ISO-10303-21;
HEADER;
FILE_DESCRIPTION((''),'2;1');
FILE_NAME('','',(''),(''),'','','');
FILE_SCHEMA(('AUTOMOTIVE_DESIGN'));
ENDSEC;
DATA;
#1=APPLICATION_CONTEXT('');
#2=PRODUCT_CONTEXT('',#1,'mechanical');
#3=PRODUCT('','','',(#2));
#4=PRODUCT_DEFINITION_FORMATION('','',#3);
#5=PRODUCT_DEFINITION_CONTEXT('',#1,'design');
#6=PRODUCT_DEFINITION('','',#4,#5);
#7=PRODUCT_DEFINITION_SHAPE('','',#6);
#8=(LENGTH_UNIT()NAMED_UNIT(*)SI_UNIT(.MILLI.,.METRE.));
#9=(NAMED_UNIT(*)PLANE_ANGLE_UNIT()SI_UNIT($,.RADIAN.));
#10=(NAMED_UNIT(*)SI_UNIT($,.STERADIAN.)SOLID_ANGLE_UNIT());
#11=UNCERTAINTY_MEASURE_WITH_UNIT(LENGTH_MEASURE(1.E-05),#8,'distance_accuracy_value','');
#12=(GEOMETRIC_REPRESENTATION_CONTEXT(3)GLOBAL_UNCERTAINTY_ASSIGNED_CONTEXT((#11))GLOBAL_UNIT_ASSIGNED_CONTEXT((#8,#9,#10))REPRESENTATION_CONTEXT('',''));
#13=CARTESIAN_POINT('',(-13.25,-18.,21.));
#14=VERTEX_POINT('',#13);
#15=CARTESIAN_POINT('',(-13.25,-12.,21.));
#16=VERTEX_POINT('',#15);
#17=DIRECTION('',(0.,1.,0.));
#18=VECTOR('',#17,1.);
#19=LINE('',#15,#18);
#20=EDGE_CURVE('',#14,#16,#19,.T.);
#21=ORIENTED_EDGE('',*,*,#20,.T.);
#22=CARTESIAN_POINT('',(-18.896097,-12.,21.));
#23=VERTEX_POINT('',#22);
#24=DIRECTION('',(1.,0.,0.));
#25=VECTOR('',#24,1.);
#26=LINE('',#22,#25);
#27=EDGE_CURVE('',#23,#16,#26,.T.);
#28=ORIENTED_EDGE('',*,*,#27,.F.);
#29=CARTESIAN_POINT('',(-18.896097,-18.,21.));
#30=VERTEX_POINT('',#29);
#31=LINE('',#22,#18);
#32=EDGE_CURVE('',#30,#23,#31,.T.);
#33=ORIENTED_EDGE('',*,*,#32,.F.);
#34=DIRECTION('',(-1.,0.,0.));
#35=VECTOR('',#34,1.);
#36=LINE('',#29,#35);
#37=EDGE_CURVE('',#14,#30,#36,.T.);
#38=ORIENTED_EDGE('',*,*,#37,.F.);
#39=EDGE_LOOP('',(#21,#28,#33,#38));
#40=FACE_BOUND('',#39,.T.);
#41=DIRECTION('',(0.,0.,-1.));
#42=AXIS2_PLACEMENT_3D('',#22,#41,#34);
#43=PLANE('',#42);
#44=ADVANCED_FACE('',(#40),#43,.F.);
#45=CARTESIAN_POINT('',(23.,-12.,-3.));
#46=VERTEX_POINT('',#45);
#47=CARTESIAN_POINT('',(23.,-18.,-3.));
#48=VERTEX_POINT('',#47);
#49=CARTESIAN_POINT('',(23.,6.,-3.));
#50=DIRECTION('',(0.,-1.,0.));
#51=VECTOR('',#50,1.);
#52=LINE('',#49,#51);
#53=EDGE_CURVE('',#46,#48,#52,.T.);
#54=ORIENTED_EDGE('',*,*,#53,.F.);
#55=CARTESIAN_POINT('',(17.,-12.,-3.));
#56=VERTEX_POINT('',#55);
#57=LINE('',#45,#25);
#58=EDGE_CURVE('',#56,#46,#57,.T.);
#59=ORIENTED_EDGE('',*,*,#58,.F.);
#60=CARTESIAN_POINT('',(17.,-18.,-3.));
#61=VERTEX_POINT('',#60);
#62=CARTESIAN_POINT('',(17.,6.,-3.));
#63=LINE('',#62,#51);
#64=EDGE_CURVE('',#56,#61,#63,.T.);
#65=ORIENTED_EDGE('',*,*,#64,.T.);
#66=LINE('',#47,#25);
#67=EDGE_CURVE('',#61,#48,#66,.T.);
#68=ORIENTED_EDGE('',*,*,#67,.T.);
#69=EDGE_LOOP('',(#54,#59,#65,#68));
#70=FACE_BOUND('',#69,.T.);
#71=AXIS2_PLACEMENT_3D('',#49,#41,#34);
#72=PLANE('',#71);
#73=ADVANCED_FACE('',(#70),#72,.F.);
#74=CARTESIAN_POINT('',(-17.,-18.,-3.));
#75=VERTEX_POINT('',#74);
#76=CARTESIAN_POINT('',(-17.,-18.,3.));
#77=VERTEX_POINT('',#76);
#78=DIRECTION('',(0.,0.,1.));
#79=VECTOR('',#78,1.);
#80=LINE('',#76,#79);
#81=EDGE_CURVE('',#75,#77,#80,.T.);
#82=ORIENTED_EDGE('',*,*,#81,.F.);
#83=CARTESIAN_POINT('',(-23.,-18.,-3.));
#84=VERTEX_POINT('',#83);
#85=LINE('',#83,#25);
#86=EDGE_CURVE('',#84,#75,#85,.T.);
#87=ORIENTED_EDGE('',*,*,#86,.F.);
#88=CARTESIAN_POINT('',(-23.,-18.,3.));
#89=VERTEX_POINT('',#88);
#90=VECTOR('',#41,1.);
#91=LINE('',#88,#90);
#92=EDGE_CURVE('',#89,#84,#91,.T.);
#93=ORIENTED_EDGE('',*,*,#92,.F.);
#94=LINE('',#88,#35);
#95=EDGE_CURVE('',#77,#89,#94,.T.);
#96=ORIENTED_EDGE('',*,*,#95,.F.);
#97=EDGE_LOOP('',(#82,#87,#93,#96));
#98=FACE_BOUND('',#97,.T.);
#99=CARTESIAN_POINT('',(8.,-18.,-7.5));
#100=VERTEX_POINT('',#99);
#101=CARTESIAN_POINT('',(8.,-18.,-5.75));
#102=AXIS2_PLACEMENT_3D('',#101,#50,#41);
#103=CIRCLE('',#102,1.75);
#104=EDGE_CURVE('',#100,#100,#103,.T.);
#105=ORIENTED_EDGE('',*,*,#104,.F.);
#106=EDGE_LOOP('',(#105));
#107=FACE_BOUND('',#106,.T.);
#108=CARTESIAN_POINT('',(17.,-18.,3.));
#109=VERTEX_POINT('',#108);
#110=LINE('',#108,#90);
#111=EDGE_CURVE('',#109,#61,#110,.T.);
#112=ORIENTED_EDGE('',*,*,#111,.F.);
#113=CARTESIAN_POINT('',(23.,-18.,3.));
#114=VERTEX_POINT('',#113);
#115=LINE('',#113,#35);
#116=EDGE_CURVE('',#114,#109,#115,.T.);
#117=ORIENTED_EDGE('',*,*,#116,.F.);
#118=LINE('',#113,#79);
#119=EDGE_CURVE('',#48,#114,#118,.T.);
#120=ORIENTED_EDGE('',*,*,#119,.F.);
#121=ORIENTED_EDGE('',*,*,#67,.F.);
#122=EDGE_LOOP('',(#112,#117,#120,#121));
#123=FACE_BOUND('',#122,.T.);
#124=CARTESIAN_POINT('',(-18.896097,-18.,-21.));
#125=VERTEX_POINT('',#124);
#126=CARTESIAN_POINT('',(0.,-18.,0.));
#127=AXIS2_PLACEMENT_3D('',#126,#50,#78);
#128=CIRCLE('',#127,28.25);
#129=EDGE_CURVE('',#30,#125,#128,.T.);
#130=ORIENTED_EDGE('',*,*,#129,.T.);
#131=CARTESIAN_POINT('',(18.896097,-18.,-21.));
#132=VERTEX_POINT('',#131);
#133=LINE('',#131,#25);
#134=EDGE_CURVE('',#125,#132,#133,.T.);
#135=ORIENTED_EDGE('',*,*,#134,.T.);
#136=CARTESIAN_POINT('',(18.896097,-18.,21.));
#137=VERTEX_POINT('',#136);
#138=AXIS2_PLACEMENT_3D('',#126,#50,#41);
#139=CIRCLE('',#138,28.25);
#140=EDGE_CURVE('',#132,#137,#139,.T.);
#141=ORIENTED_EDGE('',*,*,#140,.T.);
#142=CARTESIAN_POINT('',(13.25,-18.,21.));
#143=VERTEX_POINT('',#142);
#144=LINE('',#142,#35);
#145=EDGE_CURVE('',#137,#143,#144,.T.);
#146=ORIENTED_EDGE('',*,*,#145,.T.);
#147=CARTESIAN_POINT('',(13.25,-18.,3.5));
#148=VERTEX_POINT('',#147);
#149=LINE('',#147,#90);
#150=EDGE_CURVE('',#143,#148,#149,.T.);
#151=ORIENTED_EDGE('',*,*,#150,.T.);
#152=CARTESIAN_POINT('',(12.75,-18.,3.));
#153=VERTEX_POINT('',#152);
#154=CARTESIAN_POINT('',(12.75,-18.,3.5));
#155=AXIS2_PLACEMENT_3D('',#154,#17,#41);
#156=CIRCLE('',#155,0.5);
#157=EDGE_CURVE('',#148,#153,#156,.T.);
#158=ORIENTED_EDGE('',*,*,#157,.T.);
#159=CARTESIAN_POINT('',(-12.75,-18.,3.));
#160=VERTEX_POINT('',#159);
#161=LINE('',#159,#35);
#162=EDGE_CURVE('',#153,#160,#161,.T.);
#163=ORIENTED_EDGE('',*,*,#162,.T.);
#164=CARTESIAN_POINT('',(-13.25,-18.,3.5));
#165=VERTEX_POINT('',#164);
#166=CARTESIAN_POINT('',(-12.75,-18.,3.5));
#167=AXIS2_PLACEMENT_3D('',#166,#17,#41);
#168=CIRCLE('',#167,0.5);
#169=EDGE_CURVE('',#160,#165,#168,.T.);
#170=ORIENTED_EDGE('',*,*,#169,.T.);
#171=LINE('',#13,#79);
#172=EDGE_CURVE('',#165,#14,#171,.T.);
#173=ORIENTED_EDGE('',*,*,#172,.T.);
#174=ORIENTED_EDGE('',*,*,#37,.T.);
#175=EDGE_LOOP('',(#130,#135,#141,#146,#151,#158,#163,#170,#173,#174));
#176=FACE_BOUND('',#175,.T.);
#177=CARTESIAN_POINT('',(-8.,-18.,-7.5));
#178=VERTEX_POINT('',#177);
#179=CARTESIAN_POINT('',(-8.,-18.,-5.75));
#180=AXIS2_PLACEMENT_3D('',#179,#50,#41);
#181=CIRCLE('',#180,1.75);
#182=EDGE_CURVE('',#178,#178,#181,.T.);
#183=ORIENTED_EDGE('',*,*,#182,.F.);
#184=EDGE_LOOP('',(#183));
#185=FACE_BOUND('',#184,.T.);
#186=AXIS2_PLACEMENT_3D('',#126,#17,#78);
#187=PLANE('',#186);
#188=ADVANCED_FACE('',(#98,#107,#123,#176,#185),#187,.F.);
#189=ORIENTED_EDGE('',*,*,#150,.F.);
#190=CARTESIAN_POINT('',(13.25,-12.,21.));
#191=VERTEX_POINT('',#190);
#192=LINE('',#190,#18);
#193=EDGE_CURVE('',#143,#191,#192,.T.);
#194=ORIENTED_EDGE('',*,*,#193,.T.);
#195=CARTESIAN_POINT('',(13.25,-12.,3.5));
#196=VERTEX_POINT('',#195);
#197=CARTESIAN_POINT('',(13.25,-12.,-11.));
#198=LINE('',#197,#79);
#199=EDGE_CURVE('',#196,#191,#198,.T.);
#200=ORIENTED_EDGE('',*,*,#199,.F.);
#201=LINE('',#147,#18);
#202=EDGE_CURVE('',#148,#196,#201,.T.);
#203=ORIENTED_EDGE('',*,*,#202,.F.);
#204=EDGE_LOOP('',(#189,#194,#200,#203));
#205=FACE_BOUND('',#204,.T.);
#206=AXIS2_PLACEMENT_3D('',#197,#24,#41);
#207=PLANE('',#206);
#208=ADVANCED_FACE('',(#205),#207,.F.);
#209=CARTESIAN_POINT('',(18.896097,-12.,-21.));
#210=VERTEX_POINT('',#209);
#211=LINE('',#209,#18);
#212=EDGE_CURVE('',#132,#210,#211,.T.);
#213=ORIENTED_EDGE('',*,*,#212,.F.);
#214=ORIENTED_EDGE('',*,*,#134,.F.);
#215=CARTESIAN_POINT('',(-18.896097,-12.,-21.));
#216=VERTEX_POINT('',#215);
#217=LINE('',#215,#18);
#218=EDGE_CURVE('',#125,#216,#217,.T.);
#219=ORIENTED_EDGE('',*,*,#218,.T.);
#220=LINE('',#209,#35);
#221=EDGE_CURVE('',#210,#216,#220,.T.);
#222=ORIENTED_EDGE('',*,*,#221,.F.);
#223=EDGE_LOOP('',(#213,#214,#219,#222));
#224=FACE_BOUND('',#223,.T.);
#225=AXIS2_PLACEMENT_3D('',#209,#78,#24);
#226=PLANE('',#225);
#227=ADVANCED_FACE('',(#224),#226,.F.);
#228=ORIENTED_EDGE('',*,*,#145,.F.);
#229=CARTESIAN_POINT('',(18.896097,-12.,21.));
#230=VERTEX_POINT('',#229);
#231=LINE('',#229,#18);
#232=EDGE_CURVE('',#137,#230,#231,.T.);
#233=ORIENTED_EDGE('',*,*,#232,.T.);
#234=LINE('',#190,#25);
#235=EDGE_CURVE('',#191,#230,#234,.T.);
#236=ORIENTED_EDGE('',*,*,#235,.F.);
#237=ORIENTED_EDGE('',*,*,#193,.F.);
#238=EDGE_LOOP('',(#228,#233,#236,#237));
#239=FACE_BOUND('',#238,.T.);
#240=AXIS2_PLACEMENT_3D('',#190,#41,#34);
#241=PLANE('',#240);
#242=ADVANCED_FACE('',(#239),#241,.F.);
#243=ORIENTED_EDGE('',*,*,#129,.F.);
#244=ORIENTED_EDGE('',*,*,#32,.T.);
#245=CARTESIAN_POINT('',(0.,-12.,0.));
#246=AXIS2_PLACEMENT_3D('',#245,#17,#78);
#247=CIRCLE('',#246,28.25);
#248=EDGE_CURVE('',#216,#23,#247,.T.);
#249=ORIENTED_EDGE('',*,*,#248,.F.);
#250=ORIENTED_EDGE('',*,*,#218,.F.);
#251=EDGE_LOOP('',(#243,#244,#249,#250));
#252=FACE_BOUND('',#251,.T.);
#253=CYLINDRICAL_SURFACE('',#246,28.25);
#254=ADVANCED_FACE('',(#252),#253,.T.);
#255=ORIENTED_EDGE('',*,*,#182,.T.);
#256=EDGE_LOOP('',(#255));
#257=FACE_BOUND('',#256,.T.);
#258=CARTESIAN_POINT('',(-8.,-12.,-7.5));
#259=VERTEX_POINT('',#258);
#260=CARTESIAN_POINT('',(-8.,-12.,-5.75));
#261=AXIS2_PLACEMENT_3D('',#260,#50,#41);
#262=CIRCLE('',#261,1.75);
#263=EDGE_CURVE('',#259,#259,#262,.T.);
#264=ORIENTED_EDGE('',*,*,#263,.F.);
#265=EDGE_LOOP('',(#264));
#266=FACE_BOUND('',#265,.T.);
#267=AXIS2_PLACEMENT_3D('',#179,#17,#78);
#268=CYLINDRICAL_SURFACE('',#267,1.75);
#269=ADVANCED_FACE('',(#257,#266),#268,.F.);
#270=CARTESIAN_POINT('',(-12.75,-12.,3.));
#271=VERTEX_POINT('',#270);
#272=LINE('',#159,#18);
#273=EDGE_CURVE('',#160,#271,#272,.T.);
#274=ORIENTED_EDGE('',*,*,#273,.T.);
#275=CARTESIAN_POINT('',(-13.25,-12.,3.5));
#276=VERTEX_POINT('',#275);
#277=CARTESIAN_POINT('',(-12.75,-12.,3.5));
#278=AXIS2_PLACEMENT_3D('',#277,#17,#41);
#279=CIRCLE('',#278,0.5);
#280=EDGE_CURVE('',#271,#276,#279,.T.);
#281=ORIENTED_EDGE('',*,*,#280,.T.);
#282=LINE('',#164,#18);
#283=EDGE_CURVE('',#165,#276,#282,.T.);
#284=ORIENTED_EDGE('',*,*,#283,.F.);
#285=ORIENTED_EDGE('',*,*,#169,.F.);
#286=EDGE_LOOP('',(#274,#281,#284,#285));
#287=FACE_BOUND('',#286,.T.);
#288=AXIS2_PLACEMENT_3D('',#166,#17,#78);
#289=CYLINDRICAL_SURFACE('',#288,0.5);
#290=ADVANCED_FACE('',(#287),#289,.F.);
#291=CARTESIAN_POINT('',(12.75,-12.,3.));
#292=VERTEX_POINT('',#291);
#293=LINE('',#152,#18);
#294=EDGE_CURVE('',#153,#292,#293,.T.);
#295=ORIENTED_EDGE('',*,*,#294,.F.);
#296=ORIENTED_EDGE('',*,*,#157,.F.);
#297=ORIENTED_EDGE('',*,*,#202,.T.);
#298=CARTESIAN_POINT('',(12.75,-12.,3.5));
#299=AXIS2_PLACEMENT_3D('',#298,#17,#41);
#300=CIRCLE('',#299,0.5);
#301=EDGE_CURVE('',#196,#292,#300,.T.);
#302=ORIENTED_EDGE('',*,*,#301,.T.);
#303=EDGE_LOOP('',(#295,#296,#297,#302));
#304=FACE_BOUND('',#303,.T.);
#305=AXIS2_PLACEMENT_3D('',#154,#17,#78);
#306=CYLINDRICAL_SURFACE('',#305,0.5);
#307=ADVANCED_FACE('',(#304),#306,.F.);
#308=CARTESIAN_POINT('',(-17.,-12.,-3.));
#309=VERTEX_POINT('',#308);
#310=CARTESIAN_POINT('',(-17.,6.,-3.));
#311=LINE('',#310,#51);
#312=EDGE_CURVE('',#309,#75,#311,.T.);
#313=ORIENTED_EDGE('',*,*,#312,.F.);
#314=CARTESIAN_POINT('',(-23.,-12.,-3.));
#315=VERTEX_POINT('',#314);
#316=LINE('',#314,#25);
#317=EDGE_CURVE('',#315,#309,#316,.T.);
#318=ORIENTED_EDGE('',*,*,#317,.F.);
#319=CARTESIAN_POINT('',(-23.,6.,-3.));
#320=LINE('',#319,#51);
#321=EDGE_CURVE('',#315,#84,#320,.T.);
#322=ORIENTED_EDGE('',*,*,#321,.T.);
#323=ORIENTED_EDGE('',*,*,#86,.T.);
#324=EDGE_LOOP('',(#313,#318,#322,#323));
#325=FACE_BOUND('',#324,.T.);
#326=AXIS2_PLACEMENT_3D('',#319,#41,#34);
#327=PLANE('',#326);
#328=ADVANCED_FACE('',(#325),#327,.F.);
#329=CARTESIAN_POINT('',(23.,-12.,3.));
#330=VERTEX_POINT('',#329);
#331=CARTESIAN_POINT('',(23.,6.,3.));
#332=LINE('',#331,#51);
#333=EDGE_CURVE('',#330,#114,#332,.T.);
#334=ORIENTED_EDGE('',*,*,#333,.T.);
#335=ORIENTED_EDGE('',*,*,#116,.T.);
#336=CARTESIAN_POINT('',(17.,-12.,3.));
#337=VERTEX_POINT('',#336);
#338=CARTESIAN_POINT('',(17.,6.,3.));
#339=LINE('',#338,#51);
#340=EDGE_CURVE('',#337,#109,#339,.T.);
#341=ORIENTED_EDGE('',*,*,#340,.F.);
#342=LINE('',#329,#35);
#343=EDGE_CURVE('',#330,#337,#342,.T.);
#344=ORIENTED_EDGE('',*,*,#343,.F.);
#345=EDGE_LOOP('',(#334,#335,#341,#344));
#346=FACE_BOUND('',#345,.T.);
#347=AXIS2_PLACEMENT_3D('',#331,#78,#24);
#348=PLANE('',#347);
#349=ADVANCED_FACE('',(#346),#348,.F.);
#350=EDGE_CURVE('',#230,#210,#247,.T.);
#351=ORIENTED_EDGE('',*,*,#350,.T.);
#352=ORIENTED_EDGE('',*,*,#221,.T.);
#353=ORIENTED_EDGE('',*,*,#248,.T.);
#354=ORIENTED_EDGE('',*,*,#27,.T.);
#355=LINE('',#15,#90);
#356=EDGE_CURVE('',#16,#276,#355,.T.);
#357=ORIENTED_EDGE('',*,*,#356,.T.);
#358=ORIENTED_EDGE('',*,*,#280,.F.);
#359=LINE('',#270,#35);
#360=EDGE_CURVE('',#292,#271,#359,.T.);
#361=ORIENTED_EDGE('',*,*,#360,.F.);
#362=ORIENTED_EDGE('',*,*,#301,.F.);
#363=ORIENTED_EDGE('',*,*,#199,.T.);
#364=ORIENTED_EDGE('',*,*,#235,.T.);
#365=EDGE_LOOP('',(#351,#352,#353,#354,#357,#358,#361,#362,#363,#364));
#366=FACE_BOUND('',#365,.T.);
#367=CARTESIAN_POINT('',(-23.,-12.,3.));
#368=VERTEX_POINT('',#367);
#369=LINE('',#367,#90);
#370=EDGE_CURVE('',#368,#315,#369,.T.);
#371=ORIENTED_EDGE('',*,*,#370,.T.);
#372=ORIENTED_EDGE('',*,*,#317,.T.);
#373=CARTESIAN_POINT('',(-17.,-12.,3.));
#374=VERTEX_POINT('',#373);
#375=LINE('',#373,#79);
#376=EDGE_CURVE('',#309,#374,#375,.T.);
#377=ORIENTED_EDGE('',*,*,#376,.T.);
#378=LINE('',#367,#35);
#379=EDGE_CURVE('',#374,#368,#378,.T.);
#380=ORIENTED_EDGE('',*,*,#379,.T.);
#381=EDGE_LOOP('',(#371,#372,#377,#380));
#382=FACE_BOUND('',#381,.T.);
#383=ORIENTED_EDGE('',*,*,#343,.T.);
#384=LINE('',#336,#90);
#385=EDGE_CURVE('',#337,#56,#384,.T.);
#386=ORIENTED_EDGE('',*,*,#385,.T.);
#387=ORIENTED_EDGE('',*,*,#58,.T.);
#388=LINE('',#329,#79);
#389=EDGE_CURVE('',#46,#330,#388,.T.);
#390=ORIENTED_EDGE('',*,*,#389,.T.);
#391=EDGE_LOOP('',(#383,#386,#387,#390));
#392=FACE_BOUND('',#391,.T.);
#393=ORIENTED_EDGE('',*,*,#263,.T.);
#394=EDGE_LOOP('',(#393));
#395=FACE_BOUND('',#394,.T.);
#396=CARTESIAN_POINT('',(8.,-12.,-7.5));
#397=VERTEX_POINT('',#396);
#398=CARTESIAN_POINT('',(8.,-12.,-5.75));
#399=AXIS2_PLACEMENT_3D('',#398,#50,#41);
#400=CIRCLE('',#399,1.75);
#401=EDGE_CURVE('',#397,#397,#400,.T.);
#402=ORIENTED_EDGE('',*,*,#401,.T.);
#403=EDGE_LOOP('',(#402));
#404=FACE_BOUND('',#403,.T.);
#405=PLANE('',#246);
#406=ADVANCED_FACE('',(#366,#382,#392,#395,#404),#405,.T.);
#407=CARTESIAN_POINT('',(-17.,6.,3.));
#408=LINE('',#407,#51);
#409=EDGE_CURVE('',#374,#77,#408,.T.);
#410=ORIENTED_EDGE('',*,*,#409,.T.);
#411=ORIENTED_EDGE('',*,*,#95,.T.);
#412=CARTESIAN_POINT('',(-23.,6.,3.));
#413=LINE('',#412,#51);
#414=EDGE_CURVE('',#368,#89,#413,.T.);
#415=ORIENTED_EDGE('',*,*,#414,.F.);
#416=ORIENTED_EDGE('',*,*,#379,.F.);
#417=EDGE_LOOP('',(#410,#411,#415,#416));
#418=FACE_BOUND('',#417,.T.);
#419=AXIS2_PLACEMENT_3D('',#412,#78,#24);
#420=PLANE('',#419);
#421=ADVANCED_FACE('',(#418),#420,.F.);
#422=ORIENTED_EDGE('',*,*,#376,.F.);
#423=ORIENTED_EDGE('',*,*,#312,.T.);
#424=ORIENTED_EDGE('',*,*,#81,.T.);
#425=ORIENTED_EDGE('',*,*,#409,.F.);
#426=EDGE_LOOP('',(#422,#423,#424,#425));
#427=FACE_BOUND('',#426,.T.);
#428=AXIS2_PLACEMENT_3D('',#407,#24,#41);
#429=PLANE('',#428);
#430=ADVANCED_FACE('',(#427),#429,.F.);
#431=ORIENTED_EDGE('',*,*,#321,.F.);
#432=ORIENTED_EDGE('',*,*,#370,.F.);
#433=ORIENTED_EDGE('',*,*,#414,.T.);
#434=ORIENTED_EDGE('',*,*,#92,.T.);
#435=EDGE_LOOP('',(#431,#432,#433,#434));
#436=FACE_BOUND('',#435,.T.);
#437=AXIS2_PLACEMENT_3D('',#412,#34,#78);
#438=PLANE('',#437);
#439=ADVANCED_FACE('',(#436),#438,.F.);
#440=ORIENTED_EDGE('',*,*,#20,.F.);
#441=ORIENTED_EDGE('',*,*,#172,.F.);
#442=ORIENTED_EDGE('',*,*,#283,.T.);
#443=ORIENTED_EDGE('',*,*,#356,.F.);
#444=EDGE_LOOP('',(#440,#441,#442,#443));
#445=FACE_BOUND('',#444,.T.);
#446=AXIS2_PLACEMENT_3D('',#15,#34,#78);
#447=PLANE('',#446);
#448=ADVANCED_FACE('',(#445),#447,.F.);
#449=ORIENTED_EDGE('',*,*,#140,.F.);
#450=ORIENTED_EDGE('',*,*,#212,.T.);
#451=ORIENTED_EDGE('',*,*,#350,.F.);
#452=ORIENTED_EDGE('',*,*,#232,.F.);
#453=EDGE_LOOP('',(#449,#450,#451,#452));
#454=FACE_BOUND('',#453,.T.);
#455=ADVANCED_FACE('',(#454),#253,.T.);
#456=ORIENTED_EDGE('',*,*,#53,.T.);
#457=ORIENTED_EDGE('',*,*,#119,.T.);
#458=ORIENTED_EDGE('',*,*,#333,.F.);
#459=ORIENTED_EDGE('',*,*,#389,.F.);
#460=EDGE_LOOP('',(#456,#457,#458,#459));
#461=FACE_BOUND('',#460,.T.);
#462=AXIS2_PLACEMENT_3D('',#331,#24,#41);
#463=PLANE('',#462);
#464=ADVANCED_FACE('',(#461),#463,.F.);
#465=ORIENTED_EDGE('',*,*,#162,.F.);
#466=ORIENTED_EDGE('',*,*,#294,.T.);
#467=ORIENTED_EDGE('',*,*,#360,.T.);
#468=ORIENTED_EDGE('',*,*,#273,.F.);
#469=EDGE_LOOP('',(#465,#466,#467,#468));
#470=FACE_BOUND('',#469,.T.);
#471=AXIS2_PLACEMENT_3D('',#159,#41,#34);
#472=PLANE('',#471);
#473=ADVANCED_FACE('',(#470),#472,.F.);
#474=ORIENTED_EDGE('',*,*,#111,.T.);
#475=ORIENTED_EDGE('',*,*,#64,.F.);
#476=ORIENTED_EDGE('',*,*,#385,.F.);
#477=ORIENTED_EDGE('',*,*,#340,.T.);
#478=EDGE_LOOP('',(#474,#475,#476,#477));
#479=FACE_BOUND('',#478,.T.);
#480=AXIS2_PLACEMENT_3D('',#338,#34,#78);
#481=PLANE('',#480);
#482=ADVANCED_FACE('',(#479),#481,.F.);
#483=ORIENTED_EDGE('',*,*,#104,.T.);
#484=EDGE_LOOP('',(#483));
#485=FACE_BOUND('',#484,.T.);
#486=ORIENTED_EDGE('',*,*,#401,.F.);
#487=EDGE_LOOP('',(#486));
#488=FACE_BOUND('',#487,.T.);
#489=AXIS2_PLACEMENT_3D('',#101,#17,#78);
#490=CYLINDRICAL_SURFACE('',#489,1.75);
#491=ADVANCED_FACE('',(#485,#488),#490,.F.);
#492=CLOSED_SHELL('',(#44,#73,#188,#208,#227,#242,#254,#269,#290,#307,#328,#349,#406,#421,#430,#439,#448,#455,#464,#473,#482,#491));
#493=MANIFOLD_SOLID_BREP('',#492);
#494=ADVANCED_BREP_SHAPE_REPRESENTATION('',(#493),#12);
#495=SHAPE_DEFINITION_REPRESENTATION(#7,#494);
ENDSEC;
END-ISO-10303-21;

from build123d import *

# Parameters (mm, degrees)
SALIENTE_EXTRUIR1_DEPTH = 6
CROQUIS7_R              = 40
SALIENTE_EXTRUIR5_DEPTH = 6
SALIENTE_EXTRUIR3_DEPTH = 6
CROQUIS6_R              = 1.75
SALIENTE_EXTRUIR4_DEPTH = 6
CROQUIS8_W              = 6
CROQUIS8_H              = 6
CORTAR_EXTRUIR1_DEPTH   = 25
CROQUIS9_W              = 322
CROQUIS9_H              = 247
CORTAR_EXTRUIR2_DEPTH   = 12
CROQUIS10_R             = 28.25
CORTAR_EXTRUIR3_DEPTH   = 6


with BuildPart() as part:
    # Croquis1 → Saliente-Extruir1 (new body)
    with BuildSketch(Plane(origin=(0, 0, 0), x_dir=(1, 0, 0), z_dir=(0, 1, 0))):
        with BuildLine():
            Line((-161, 103.5), (-38.791887254, 9.756509788))
            ThreePointArc((-38.791887254, 9.756509788), (-40, 0), (-38.791887254, -9.756509788))
            Line((-38.791887254, -9.756509788), (-161, -103.5))
            Line((-161, -103.5), (-161, -123.5))
            Line((-161, -123.5), (-141, -123.5))
            Line((-141, -123.5), (-22.823766962, -32.84928708))
            ThreePointArc((-22.823766962, -32.84928708), (0, -40), (22.823766962, -32.84928708))
            Line((22.823766962, -32.84928708), (141, -123.5))
            Line((141, -123.5), (161, -123.5))
            Line((161, -123.5), (161, -103.5))
            Line((161, -103.5), (38.791887254, -9.756509788))
            ThreePointArc((38.791887254, -9.756509788), (40, 0), (38.791887254, 9.756509788))
            Line((38.791887254, 9.756509788), (161, 103.5))
            Line((161, 103.5), (161, 123.5))
            Line((161, 123.5), (141, 123.5))
            Line((141, 123.5), (22.823766962, 32.84928708))
            ThreePointArc((22.823766962, 32.84928708), (0, 40), (-22.823766962, 32.84928708))
            Line((-22.823766962, 32.84928708), (-141, 123.5))
            Line((-141, 123.5), (-161, 123.5))
            Line((-161, 123.5), (-161, 103.5))
        make_face()
    extrude(amount=SALIENTE_EXTRUIR1_DEPTH)

    # Croquis7 → Saliente-Extruir5 (add)
    with BuildSketch(Plane(origin=(0, 0, 0), x_dir=(-1, 0, 0), z_dir=(0, -1, 0))):
        Circle(CROQUIS7_R)
    extrude(amount=SALIENTE_EXTRUIR5_DEPTH)

    # Croquis5 → Saliente-Extruir3 (add)
    with BuildSketch(Plane.XZ.offset(6)):
        with BuildLine():
            Line((18.896097481, -21), (-18.896097481, -21))
            ThreePointArc((-18.896097481, -21), (-28.25, 0), (-18.896097481, 21))
            Line((-18.896097481, 21), (-13.25, 21))
            Line((-13.25, 21), (-13.25, -11))
            Line((-13.25, -11), (13.25, -11))
            Line((13.25, -11), (13.25, 21))
            Line((13.25, 21), (18.896097481, 21))
            ThreePointArc((18.896097481, 21), (28.25, 0), (18.896097481, -21))
        make_face()
    extrude(amount=SALIENTE_EXTRUIR3_DEPTH)

    # Croquis6 → Saliente-Extruir4 (add)
    with BuildSketch(Plane.XZ.offset(12)):
        with BuildLine():
            Line((-18.896097481, 21), (-13.25, 21))
            Line((-13.25, 21), (-13.25, 3.5))
            ThreePointArc((-13.25, 3.5), (-13.103553391, 3.146446609), (-12.75, 3))
            Line((-12.75, 3), (12.75, 3))
            ThreePointArc((12.75, 3), (13.103553391, 3.146446609), (13.25, 3.5))
            Line((13.25, 3.5), (13.25, 21))
            Line((13.25, 21), (18.896097481, 21))
            ThreePointArc((18.896097481, 21), (28.25, 0), (18.896097481, -21))
            Line((18.896097481, -21), (-18.896097481, -21))
            ThreePointArc((-18.896097481, -21), (-28.25, 0), (-18.896097481, 21))
        make_face()
        with Locations((-8, -5.75)):
            Circle(CROQUIS6_R, mode=Mode.SUBTRACT)
        with Locations((8, -5.75)):
            Circle(CROQUIS6_R, mode=Mode.SUBTRACT)
    extrude(amount=SALIENTE_EXTRUIR4_DEPTH)

    # Croquis8 → Cortar-Extruir1 (cut, through all)
    with BuildSketch(Plane.XZ.offset(18)):
        with Locations((-20, 0)):
            Rectangle(CROQUIS8_W, CROQUIS8_H)
        with Locations((20, 0)):
            Rectangle(CROQUIS8_W, CROQUIS8_H)
    extrude(amount=-CORTAR_EXTRUIR1_DEPTH, mode=Mode.SUBTRACT)

    # Croquis9 → Cortar-Extruir2 (cut)
    with BuildSketch(Plane(origin=(0, 6, 0), x_dir=(1, 0, 0), z_dir=(0, 1, 0))):
        Rectangle(CROQUIS9_W, CROQUIS9_H)
    extrude(amount=-CORTAR_EXTRUIR2_DEPTH, mode=Mode.SUBTRACT)

    # Croquis10 → Cortar-Extruir3 (cut)
    with BuildSketch(Plane(origin=(0, -6, 0), x_dir=(1, 0, 0), z_dir=(0, 1, 0))):
        Circle(CROQUIS10_R)
    extrude(amount=-CORTAR_EXTRUIR3_DEPTH, mode=Mode.SUBTRACT)


solid = part.part
